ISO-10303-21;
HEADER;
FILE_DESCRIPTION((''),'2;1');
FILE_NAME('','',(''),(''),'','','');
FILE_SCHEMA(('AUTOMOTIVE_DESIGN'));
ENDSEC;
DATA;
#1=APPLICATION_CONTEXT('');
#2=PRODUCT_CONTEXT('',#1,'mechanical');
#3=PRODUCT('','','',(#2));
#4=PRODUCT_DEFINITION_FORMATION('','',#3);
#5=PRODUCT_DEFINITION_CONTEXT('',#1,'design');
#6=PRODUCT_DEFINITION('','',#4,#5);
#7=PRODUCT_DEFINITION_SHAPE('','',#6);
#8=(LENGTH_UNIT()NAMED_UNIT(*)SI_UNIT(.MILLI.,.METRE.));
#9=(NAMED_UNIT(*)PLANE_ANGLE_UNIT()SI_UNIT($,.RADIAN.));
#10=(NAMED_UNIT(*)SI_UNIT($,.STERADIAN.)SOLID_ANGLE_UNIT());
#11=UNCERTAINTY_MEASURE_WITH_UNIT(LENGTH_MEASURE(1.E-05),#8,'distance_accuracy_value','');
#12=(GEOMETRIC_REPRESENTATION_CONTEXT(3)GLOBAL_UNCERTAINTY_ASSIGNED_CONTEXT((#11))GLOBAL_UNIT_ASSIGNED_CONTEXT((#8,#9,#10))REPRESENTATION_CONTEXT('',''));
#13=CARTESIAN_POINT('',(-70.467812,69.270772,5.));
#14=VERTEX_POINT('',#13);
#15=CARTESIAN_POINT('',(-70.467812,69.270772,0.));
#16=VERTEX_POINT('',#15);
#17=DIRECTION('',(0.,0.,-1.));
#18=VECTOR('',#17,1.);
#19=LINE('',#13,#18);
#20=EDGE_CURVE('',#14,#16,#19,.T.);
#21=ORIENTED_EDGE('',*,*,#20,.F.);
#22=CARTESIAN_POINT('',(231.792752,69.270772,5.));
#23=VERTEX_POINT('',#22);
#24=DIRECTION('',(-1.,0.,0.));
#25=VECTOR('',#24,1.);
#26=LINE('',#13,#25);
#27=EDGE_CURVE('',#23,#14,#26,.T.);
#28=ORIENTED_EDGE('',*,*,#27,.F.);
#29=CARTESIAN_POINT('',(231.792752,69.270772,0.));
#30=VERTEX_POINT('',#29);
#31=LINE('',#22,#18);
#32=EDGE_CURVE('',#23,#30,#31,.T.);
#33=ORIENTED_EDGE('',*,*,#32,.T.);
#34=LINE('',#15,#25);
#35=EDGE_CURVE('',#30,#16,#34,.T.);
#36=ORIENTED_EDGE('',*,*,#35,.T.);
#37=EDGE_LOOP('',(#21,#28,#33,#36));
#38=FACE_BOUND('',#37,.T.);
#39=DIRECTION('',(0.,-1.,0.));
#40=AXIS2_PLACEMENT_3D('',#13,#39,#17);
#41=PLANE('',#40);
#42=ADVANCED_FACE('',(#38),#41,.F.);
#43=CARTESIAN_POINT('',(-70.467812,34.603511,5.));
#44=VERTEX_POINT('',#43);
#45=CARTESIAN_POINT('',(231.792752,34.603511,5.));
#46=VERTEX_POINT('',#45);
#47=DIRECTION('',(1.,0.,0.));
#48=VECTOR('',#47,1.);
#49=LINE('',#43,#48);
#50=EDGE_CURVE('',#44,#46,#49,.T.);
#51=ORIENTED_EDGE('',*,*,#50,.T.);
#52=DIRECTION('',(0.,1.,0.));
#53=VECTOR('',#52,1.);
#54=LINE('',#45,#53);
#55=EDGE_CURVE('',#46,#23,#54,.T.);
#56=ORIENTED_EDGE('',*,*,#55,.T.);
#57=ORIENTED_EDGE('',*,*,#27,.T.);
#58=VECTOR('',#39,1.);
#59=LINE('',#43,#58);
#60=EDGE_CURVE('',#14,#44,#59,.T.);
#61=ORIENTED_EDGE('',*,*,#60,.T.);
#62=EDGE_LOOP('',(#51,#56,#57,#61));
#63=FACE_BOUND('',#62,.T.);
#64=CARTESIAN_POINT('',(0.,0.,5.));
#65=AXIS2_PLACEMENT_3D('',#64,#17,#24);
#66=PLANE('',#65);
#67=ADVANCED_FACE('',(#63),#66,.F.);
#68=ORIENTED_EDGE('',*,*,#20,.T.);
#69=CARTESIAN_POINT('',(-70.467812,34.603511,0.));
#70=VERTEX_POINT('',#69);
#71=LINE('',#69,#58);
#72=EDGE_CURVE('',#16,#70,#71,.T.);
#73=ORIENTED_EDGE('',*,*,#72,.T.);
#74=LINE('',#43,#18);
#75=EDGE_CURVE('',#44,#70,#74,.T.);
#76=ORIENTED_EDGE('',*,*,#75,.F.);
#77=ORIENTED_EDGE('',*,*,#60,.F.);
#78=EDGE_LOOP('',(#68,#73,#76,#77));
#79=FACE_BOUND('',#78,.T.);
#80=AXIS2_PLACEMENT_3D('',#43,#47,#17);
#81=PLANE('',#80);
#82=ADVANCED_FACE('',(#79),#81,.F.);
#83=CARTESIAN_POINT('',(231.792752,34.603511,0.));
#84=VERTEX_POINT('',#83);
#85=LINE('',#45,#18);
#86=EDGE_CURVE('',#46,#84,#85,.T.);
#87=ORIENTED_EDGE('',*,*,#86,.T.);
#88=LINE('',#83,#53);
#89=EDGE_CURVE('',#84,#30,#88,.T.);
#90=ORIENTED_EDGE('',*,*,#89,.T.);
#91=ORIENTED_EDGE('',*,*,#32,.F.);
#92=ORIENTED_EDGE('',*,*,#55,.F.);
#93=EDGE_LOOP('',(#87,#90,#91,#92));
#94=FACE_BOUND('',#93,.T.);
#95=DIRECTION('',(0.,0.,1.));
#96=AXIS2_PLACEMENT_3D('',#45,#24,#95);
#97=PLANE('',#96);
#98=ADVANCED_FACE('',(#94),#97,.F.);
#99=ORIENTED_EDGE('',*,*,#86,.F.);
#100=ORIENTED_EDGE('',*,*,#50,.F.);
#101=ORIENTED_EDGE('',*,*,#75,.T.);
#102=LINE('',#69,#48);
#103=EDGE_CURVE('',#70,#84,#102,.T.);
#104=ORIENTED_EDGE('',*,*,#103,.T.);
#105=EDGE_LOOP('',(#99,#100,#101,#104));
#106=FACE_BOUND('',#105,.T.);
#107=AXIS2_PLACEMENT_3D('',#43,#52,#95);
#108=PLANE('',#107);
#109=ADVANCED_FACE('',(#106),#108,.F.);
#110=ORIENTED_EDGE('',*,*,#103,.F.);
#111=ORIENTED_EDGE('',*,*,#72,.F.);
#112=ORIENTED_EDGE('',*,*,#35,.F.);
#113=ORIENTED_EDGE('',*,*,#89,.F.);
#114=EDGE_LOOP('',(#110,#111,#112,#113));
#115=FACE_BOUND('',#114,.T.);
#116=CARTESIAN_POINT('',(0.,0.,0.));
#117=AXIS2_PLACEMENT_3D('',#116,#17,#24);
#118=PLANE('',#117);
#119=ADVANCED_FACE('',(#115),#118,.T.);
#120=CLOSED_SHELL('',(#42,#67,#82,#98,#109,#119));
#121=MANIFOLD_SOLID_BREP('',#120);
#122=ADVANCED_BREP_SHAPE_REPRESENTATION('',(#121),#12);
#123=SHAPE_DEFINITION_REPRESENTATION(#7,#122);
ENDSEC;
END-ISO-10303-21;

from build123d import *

# Parameters (mm, degrees)
SKETCH_1_W      = 302.260564469
SKETCH_1_H      = 34.66726103
EXTRUDE_1_DEPTH = 5


with BuildPart() as part:
    # Эскиз1 → Бобышка-Вытянуть1 (new body)
    with BuildSketch(Plane.XY):
        with Locations((80.662470251, 51.937141696)):
            Rectangle(SKETCH_1_W, SKETCH_1_H)
    extrude(amount=EXTRUDE_1_DEPTH)


solid = part.part
